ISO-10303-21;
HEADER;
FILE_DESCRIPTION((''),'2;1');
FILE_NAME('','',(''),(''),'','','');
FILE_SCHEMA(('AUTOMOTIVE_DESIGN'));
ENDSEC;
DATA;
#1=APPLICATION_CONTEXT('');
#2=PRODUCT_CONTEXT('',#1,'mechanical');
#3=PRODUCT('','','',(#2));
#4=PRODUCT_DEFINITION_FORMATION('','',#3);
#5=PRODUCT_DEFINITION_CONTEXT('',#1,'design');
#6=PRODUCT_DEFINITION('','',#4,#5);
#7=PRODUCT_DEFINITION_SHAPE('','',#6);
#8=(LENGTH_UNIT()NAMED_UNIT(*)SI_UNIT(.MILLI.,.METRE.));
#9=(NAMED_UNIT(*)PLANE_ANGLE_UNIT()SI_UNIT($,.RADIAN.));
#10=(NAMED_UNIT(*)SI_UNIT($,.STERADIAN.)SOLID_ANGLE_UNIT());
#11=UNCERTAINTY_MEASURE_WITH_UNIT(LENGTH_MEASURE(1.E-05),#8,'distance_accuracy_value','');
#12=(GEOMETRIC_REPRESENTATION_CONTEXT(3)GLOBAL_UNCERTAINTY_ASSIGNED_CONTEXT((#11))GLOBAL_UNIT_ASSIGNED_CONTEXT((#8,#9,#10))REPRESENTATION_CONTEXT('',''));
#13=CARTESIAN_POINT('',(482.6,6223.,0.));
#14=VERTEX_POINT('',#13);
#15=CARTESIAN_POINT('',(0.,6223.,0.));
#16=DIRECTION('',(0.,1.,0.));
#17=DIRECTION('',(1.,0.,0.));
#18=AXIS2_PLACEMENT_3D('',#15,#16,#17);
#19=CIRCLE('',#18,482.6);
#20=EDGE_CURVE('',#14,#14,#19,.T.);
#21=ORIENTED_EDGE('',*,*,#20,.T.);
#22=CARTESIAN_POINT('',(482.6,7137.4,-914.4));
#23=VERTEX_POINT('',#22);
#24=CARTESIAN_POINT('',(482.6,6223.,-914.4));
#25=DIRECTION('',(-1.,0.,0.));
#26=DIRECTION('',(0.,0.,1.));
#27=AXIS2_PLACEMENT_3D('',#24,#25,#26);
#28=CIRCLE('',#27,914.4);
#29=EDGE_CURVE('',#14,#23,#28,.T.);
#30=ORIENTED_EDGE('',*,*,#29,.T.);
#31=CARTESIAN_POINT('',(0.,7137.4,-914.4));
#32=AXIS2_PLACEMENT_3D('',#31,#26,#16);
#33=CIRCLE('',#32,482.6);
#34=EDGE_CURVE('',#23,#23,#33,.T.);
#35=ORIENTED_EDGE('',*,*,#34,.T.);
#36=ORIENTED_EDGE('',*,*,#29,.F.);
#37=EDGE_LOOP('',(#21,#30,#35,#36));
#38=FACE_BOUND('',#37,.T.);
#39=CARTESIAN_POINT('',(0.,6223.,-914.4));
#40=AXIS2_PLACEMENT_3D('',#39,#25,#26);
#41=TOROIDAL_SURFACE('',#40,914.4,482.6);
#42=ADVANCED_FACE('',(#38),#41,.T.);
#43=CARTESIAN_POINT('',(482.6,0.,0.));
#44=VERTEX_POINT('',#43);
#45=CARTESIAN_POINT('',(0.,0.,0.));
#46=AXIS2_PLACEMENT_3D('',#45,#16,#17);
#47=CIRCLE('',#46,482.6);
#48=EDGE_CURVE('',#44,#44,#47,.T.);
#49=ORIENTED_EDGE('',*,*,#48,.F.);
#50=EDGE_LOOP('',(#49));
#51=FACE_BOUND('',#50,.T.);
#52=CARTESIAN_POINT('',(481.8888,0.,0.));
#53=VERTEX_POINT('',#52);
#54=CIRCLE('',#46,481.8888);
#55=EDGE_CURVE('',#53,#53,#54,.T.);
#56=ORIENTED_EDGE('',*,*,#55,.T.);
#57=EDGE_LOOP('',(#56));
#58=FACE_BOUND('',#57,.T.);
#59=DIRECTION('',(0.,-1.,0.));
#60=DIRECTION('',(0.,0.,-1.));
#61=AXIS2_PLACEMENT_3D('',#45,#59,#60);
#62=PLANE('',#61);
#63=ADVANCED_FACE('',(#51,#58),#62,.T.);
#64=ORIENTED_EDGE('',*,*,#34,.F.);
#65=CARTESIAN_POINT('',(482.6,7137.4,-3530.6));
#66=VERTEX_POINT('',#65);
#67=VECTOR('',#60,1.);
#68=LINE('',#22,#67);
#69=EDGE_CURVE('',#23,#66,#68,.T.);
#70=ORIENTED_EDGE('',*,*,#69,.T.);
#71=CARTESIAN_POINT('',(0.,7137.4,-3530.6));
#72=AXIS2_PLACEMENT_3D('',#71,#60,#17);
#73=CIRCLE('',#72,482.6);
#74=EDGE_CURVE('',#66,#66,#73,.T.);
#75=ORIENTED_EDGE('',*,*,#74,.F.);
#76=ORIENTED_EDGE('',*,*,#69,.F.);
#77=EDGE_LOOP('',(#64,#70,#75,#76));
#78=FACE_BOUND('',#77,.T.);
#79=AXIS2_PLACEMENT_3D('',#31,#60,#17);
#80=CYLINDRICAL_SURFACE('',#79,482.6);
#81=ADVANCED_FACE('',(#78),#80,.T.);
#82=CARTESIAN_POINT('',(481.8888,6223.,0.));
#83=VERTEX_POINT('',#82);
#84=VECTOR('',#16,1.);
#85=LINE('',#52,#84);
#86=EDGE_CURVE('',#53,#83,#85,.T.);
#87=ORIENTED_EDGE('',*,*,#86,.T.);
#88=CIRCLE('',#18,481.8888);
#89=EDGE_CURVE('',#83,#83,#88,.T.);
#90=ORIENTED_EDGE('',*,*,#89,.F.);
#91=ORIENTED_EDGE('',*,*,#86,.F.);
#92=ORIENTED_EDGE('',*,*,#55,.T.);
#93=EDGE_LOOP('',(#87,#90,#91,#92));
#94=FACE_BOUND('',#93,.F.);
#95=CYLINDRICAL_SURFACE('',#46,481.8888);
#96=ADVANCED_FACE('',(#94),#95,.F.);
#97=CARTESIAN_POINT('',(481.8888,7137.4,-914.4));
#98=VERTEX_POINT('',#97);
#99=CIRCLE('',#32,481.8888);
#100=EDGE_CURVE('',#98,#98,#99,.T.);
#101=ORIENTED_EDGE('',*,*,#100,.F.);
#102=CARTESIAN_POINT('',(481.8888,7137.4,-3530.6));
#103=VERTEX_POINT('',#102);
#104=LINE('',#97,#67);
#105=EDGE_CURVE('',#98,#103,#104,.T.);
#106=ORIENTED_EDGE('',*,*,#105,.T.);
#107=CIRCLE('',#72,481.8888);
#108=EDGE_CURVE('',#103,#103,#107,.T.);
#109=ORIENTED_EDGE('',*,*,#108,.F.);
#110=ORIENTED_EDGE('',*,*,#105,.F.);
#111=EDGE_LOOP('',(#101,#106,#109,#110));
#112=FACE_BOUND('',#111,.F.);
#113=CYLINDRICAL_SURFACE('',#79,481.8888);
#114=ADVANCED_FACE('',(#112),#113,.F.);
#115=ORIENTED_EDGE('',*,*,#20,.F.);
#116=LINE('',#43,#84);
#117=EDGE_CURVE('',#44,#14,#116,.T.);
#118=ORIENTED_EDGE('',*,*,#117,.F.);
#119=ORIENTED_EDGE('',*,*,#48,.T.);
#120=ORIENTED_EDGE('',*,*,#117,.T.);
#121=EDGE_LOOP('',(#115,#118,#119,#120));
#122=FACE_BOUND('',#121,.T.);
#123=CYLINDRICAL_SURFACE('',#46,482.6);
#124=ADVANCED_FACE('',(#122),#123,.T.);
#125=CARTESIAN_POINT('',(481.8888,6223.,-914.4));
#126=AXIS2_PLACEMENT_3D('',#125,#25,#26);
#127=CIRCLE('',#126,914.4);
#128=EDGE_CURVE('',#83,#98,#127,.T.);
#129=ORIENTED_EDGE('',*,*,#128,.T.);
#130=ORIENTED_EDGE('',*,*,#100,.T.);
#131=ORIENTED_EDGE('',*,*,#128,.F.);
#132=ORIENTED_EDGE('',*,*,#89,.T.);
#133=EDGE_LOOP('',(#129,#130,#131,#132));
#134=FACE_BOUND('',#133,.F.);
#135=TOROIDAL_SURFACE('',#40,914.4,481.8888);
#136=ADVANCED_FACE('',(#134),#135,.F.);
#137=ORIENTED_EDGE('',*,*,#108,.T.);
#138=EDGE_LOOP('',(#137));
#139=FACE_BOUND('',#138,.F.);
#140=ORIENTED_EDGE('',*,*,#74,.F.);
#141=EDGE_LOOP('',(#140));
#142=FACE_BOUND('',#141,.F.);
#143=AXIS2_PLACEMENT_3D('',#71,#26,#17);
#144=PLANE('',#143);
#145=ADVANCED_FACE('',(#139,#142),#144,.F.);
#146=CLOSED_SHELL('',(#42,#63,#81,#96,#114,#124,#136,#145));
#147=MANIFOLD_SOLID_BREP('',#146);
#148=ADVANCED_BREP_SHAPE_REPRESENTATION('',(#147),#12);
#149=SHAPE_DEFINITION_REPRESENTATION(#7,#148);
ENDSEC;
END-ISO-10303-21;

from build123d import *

# Parameters (mm, degrees)
F0_R   = 482.6
F0_R_2 = 481.8888


with BuildPart() as f2:
    # F2: sweep along a path in F1
    with BuildLine(Plane.YZ) as f2_path:
        Line((0, 0), (6223, 0))
        ThreePointArc((6223, 0), (6869.578440717, -267.821559283), (7137.4, -914.4))
        Line((7137.4, -914.4), (7137.4, -3530.6))
    # F0 (on Front) → F2 (sweep)
    with BuildSketch(Plane.XZ):
        Circle(F0_R)
        Circle(F0_R_2, mode=Mode.SUBTRACT)
    sweep(path=f2_path.line)


solid = f2.part
